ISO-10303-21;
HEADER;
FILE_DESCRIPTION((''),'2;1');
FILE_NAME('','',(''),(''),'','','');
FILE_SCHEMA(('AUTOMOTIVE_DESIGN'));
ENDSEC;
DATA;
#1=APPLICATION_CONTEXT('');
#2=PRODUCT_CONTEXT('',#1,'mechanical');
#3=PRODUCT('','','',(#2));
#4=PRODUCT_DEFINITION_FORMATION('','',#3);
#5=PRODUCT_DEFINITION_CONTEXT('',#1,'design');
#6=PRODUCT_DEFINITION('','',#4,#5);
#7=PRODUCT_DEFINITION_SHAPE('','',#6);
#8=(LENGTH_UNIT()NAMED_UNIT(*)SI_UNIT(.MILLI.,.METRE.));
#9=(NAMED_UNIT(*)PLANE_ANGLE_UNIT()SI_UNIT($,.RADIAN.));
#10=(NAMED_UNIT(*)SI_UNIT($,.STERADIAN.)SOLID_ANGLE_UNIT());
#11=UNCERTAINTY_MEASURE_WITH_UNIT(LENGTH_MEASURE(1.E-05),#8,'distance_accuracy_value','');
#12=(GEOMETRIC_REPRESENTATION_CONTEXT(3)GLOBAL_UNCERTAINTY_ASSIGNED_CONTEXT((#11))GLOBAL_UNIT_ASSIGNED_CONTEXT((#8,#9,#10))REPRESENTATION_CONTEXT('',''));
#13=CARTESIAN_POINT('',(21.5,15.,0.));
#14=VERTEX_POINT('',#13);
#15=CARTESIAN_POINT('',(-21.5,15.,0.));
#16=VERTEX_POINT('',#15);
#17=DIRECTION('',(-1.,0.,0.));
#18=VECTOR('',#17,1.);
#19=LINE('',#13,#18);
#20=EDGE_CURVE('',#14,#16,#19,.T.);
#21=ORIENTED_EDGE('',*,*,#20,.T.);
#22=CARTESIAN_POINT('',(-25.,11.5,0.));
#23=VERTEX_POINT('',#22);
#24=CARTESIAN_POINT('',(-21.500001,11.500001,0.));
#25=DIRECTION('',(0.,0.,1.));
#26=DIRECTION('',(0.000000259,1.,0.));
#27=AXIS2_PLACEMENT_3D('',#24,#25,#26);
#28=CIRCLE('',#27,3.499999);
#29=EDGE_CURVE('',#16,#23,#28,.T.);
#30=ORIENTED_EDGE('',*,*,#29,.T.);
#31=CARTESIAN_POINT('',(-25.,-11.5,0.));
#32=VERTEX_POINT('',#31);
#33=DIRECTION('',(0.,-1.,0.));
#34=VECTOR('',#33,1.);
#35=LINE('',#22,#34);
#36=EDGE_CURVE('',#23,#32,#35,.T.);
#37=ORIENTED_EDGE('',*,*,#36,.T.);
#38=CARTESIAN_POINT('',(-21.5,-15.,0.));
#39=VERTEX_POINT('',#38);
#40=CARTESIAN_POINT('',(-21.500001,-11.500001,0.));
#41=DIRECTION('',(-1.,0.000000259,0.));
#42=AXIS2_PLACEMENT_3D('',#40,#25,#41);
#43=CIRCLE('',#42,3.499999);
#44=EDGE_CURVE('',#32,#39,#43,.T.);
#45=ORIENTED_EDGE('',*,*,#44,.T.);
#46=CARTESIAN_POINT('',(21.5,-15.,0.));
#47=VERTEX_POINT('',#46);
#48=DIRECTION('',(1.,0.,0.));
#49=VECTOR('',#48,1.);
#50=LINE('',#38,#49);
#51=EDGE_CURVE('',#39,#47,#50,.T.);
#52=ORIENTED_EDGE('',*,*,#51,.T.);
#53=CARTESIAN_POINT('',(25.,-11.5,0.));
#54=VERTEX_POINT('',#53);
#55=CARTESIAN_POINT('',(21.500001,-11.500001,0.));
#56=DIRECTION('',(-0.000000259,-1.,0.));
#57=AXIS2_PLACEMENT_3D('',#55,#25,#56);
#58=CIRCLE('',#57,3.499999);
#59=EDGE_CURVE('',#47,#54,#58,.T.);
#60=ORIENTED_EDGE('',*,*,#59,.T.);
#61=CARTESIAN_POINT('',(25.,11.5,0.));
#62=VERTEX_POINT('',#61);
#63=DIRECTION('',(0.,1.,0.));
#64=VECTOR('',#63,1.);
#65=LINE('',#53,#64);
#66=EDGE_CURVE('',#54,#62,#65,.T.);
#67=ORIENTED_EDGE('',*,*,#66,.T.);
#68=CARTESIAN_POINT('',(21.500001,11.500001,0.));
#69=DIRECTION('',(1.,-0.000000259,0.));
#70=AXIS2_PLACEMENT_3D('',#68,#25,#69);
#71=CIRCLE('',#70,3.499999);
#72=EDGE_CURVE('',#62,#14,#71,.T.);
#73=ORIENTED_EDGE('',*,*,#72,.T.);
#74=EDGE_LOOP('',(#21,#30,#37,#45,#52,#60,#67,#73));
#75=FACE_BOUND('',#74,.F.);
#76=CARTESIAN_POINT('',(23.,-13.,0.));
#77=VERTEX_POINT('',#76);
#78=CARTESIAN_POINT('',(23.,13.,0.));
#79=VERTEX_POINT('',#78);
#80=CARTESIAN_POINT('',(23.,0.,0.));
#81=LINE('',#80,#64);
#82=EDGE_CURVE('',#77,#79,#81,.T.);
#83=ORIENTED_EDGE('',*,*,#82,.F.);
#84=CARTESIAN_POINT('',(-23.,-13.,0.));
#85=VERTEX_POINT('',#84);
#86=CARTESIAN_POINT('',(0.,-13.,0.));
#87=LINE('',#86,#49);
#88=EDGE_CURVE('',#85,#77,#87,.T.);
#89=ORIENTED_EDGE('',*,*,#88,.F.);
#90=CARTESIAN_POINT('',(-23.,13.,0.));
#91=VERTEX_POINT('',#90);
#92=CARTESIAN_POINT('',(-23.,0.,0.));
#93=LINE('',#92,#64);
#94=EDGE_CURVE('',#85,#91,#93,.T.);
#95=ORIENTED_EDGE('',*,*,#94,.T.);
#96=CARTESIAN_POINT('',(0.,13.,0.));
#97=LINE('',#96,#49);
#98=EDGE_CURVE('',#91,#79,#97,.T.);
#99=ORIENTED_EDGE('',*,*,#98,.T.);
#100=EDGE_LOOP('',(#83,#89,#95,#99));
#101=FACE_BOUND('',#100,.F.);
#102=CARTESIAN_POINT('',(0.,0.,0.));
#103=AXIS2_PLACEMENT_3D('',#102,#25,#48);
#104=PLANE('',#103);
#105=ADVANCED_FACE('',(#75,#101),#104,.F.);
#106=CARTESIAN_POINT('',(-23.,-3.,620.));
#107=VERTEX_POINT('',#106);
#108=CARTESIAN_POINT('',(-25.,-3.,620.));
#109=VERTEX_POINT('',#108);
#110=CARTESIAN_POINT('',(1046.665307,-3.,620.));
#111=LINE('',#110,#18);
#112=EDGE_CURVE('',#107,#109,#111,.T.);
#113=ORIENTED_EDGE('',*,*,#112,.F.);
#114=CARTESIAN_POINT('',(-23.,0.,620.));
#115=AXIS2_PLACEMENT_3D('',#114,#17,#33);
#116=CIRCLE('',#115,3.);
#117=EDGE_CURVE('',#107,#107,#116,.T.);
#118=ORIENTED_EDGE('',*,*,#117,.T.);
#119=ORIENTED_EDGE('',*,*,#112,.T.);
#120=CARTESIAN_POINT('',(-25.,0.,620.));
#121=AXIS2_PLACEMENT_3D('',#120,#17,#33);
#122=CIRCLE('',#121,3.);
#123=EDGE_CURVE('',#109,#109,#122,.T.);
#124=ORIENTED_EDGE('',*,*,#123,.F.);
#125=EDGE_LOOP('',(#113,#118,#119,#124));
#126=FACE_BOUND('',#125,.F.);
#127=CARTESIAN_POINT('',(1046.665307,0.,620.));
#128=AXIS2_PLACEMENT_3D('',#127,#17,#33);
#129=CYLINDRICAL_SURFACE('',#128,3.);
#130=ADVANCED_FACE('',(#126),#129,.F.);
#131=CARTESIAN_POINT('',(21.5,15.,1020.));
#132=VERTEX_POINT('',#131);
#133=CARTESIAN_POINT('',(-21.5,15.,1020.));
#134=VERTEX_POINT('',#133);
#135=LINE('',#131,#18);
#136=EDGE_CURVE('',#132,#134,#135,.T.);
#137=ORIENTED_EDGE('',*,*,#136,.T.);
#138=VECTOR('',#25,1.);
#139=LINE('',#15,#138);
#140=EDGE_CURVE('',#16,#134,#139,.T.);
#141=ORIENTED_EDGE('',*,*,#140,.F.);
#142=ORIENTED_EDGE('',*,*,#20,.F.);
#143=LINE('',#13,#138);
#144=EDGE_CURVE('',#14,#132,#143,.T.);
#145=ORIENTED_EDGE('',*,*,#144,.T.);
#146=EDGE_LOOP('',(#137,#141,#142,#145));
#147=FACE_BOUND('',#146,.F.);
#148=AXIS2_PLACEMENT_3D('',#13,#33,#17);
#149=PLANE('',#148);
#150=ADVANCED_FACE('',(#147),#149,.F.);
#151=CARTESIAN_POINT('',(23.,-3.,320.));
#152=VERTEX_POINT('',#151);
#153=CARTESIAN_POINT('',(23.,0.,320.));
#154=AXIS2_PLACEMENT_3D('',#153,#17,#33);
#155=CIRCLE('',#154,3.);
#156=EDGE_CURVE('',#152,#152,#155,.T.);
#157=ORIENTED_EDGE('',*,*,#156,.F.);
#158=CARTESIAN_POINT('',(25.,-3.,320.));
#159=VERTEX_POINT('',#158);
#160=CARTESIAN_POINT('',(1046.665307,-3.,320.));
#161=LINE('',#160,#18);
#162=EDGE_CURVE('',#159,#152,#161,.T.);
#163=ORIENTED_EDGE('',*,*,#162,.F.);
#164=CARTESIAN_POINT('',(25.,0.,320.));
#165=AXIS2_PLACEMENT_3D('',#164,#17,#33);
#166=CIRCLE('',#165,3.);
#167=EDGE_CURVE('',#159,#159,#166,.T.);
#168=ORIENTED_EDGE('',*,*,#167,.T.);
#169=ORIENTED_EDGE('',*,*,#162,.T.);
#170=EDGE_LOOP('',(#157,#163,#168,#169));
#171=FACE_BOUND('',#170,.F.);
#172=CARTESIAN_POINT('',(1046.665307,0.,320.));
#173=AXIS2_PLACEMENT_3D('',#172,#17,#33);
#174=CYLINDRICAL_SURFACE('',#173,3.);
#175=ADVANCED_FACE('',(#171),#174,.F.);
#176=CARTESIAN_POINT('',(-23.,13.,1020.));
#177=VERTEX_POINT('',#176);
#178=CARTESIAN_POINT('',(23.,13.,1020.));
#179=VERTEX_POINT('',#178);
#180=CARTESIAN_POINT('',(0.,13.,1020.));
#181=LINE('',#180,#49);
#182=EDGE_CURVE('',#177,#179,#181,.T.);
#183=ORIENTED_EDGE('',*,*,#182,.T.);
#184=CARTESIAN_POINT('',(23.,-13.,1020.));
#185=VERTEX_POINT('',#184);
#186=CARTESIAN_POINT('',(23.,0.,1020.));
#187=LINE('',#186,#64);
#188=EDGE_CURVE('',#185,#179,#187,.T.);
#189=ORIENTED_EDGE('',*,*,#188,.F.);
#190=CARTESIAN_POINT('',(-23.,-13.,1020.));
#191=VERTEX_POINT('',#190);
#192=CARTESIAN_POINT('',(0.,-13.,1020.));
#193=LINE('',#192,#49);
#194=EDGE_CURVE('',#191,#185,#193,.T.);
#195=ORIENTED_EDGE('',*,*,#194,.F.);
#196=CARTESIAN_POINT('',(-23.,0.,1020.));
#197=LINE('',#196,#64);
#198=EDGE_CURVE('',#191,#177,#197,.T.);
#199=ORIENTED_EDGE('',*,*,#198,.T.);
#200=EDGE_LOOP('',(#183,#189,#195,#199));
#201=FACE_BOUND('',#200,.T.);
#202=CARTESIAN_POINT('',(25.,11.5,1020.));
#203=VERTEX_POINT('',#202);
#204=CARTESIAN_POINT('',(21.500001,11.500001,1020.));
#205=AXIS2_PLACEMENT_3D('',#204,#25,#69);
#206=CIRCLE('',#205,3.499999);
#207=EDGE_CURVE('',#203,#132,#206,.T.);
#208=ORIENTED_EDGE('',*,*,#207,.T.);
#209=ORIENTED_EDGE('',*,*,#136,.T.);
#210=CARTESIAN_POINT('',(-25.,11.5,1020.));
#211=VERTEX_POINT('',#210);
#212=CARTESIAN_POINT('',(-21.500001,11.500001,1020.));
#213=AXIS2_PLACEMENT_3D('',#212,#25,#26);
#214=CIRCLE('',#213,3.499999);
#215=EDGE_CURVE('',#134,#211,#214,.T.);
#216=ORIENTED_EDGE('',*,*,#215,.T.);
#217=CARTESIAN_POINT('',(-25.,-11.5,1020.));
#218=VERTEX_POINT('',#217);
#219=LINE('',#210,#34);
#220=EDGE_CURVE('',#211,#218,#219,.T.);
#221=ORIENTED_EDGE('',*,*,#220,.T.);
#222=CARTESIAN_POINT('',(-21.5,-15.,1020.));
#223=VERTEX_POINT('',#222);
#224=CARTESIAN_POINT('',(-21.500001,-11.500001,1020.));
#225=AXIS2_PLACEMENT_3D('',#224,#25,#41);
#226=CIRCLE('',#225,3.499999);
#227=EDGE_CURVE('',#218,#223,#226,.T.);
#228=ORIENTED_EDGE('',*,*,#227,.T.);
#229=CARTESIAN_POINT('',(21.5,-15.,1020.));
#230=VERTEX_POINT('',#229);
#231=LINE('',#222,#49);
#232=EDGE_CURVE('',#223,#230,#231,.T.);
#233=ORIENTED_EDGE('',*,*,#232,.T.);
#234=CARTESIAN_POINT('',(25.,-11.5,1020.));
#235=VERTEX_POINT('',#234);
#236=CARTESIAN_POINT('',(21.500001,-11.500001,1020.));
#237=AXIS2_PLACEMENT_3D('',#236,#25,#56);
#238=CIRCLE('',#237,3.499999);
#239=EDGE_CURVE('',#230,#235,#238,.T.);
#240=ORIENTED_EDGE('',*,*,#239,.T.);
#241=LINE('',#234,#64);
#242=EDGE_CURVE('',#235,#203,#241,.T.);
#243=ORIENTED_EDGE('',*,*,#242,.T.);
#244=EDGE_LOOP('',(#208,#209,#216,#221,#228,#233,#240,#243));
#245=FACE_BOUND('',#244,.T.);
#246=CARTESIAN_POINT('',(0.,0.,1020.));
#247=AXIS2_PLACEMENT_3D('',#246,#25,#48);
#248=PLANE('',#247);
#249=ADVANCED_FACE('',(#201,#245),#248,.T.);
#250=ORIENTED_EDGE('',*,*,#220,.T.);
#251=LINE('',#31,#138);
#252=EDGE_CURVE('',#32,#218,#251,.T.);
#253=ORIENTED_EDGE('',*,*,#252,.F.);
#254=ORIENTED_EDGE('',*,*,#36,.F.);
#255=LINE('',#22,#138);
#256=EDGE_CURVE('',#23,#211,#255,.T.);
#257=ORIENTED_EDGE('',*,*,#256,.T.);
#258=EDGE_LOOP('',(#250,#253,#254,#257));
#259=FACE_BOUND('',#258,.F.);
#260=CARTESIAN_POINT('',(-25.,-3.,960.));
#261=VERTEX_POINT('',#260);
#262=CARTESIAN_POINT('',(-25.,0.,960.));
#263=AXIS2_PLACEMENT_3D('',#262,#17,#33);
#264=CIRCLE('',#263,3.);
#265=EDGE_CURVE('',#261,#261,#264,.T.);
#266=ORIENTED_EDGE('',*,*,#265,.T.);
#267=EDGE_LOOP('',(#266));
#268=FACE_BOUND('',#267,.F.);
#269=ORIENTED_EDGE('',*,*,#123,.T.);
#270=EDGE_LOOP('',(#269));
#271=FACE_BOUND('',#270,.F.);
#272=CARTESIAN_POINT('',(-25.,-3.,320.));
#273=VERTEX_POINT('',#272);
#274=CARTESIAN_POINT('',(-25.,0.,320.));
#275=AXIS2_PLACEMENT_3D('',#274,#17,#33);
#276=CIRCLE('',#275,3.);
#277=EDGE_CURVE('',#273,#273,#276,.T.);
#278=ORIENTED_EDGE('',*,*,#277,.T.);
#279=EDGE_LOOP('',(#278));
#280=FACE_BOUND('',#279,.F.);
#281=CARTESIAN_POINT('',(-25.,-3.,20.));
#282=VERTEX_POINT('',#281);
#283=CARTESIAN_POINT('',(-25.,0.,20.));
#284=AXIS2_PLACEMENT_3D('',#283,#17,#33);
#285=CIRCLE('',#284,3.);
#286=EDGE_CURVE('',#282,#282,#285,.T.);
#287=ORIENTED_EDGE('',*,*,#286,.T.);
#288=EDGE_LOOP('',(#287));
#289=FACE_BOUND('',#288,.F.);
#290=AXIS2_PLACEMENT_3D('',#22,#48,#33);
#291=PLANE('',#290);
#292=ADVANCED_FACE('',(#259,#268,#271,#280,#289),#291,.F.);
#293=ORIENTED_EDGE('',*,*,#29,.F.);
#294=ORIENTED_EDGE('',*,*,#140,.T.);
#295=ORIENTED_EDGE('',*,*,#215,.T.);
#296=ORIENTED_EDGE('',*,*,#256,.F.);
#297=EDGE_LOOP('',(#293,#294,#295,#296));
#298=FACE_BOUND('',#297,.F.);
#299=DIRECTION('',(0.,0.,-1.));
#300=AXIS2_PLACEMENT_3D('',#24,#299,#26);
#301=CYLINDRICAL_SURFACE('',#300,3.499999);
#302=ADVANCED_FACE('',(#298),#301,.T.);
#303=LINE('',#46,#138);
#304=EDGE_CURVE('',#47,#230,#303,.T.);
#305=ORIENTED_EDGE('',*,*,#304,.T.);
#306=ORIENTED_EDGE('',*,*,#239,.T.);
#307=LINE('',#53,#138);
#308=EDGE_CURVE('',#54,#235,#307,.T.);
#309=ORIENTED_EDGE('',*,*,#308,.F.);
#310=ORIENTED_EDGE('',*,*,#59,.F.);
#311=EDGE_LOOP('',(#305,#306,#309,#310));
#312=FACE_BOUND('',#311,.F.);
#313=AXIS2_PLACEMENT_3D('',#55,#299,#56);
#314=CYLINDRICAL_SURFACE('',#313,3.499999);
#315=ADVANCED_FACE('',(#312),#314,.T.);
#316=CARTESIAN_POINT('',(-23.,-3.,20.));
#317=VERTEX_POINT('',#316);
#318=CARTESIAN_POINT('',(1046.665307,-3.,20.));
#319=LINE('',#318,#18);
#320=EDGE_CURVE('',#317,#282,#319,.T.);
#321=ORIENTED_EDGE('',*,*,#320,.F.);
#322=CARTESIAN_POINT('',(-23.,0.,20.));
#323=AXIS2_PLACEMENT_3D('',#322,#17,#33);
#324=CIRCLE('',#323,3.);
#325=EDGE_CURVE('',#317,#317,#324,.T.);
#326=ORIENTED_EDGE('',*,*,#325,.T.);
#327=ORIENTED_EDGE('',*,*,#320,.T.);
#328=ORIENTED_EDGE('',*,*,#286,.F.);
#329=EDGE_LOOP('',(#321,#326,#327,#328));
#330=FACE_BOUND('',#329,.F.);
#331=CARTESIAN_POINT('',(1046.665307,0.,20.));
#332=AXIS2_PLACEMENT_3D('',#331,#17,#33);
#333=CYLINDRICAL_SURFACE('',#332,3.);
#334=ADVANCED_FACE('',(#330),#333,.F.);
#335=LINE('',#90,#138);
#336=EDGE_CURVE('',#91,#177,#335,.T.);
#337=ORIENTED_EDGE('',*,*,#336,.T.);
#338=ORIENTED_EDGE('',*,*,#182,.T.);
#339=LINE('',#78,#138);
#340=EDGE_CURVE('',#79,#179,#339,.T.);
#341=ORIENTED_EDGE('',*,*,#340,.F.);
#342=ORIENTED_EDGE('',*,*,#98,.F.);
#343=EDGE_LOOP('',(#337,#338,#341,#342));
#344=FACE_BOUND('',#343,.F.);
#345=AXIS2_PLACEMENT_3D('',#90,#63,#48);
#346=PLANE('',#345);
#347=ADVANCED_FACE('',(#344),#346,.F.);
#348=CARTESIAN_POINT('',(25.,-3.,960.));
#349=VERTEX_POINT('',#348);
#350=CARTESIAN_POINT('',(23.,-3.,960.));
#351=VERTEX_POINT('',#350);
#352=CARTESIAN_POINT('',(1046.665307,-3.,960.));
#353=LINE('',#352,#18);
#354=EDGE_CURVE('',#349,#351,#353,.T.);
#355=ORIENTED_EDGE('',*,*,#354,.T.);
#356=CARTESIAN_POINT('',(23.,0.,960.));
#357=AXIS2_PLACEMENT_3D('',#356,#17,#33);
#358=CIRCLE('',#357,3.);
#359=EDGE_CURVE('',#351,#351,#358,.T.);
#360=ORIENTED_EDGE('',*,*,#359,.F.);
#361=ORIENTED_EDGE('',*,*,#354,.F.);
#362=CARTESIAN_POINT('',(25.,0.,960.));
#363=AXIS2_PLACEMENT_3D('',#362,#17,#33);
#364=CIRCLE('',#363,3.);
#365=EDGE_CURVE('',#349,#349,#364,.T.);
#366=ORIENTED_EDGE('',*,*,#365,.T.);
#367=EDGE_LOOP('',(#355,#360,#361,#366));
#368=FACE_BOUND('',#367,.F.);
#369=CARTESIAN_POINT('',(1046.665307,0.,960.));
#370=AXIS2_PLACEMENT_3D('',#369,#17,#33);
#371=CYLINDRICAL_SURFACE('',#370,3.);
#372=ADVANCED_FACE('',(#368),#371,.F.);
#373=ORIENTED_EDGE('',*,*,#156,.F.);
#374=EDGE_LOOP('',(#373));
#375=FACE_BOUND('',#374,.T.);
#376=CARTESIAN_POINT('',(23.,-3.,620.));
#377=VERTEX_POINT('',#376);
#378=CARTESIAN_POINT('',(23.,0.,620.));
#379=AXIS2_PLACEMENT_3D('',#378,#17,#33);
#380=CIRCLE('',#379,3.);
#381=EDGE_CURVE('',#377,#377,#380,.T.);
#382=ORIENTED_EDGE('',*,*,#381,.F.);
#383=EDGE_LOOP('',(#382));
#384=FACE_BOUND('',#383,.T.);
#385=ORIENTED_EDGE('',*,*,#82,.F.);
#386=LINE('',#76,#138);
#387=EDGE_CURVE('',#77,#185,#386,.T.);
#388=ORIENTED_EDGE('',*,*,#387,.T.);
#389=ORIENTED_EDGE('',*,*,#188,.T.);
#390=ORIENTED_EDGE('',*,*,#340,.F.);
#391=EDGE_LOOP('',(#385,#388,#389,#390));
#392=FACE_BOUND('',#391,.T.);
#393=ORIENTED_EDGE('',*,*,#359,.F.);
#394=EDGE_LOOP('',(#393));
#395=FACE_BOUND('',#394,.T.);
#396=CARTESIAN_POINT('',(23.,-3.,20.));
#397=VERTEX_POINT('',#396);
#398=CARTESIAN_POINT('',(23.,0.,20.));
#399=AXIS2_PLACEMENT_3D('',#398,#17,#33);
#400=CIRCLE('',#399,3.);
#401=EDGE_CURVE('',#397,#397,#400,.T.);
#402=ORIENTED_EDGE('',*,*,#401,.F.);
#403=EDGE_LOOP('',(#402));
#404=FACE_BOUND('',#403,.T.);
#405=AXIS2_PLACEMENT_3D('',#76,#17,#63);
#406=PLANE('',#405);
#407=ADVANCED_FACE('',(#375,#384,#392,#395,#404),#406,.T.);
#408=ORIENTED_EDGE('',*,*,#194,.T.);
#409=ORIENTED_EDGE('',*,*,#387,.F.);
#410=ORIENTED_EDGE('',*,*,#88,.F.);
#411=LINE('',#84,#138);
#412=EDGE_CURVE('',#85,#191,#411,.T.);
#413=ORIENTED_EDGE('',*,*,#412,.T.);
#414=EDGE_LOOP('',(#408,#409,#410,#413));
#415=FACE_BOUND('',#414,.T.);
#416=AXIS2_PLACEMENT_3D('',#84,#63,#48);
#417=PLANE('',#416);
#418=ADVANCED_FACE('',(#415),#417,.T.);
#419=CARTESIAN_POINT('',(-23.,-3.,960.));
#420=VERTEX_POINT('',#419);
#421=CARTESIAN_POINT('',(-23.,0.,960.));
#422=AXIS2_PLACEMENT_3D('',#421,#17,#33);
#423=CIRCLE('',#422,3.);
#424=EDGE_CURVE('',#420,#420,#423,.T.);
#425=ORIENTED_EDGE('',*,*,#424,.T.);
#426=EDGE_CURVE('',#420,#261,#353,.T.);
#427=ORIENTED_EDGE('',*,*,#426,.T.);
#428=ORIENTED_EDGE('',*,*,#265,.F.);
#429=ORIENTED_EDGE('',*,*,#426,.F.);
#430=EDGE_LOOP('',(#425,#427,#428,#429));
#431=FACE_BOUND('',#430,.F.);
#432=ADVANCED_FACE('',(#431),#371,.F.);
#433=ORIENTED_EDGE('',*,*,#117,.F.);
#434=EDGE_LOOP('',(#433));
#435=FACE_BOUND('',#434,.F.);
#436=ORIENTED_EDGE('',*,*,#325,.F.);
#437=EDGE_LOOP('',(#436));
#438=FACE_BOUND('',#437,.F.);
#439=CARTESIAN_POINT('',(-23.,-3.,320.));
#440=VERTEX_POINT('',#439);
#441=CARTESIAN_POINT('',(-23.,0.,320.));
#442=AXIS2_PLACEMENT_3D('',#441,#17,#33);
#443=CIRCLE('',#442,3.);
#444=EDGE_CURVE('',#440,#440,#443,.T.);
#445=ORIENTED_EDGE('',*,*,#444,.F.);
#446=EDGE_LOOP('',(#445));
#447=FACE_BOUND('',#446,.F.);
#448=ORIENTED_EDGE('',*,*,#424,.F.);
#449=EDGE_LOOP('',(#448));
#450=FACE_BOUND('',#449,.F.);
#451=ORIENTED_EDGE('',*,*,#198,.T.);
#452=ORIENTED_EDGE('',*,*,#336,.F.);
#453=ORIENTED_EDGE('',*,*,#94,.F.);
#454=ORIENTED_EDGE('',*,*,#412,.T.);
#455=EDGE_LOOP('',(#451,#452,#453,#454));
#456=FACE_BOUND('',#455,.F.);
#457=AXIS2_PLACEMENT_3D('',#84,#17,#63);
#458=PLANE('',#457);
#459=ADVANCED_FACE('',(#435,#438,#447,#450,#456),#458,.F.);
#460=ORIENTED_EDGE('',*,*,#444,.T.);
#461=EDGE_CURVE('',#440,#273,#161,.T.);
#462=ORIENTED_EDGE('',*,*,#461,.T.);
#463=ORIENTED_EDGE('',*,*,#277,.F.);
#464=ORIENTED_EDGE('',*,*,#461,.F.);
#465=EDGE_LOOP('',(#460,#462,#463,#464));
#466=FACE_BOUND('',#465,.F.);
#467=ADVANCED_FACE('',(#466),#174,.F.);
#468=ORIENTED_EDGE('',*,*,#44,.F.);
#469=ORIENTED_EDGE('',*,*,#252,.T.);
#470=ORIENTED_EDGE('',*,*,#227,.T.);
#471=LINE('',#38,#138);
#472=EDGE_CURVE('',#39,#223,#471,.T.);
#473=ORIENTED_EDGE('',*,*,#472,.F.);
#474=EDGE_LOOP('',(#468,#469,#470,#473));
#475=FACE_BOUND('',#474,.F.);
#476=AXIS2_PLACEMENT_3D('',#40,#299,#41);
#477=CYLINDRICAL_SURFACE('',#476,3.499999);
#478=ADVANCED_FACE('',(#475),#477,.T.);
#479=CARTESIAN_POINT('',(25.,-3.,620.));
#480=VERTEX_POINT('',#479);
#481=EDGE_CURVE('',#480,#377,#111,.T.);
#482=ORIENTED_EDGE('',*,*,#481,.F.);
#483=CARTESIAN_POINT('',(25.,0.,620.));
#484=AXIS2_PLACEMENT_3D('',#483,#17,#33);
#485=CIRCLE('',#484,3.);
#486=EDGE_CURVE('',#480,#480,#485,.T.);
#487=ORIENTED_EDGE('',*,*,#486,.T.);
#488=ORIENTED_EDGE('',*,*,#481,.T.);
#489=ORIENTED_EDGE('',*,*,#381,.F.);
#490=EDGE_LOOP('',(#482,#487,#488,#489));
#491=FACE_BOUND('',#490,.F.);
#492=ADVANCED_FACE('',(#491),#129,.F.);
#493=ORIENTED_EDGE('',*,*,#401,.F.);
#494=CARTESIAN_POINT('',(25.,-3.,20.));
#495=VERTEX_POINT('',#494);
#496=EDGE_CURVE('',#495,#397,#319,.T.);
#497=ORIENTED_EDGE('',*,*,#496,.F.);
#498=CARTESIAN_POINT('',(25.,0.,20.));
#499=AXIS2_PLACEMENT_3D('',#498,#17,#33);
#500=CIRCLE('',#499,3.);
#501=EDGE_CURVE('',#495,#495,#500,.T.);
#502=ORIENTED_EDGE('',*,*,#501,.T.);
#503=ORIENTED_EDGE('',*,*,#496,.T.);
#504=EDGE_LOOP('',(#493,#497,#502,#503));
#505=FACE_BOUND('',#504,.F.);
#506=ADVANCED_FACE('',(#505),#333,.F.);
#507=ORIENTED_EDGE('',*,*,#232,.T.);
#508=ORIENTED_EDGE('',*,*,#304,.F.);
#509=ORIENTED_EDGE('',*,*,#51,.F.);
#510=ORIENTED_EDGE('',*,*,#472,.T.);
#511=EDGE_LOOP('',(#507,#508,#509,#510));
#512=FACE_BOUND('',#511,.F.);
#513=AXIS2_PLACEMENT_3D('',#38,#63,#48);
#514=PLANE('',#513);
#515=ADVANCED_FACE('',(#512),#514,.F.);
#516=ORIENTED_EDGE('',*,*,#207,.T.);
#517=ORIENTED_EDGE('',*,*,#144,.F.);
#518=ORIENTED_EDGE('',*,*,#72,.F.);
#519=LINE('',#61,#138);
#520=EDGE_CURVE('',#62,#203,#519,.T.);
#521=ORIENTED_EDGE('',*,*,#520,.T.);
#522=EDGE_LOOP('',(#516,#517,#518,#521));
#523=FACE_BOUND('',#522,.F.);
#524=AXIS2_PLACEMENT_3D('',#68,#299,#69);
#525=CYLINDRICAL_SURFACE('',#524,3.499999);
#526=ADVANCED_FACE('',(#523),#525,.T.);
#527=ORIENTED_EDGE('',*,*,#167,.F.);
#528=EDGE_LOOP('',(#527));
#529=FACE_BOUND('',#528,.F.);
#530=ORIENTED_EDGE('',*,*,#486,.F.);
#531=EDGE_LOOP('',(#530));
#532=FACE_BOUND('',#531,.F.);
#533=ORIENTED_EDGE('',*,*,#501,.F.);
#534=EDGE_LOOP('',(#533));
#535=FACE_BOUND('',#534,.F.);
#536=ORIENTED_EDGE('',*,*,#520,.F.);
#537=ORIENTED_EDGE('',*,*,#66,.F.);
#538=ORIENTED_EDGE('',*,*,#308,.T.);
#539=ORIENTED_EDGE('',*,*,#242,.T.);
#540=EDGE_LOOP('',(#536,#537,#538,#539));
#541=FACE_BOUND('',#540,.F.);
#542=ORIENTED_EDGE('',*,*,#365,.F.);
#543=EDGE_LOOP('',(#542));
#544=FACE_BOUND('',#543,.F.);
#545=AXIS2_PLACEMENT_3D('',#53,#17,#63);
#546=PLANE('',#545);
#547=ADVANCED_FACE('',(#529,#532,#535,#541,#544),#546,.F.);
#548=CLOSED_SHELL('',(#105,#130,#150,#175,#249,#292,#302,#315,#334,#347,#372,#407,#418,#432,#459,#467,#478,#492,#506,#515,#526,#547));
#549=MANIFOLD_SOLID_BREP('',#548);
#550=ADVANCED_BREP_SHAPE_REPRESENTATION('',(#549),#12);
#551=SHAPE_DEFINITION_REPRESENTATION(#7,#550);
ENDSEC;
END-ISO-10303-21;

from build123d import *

# Parameters (mm, degrees)
F0_W     = 46
F0_H     = 26
F1_DEPTH = 1020
F3_D     = 6


with BuildPart() as f1:
    # F0 (on Top) → F1 (new body)
    with BuildSketch(Plane.XY):
        with BuildLine():
            ThreePointArc((25, 11.5), (23.974874, 13.974874), (21.5, 15))
            Line((21.5, 15), (-21.5, 15))
            ThreePointArc((-21.5, 15), (-23.974874, 13.974874), (-25, 11.5))
            Line((-25, 11.5), (-25, -11.5))
            ThreePointArc((-25, -11.5), (-23.974874, -13.974874), (-21.5, -15))
            Line((-21.5, -15), (21.5, -15))
            ThreePointArc((21.5, -15), (23.974874, -13.974874), (25, -11.5))
            Line((25, -11.5), (25, 11.5))
        make_face()
        Rectangle(F0_W, F0_H, mode=Mode.SUBTRACT)
    extrude(amount=F1_DEPTH)

    # F3 (through all)
    with Locations(Plane.YZ.offset(25)):
        with Locations((0, 960), (0, 620), (0, 320), (0, 20)):
            Hole(F3_D / 2)


solid = f1.part
